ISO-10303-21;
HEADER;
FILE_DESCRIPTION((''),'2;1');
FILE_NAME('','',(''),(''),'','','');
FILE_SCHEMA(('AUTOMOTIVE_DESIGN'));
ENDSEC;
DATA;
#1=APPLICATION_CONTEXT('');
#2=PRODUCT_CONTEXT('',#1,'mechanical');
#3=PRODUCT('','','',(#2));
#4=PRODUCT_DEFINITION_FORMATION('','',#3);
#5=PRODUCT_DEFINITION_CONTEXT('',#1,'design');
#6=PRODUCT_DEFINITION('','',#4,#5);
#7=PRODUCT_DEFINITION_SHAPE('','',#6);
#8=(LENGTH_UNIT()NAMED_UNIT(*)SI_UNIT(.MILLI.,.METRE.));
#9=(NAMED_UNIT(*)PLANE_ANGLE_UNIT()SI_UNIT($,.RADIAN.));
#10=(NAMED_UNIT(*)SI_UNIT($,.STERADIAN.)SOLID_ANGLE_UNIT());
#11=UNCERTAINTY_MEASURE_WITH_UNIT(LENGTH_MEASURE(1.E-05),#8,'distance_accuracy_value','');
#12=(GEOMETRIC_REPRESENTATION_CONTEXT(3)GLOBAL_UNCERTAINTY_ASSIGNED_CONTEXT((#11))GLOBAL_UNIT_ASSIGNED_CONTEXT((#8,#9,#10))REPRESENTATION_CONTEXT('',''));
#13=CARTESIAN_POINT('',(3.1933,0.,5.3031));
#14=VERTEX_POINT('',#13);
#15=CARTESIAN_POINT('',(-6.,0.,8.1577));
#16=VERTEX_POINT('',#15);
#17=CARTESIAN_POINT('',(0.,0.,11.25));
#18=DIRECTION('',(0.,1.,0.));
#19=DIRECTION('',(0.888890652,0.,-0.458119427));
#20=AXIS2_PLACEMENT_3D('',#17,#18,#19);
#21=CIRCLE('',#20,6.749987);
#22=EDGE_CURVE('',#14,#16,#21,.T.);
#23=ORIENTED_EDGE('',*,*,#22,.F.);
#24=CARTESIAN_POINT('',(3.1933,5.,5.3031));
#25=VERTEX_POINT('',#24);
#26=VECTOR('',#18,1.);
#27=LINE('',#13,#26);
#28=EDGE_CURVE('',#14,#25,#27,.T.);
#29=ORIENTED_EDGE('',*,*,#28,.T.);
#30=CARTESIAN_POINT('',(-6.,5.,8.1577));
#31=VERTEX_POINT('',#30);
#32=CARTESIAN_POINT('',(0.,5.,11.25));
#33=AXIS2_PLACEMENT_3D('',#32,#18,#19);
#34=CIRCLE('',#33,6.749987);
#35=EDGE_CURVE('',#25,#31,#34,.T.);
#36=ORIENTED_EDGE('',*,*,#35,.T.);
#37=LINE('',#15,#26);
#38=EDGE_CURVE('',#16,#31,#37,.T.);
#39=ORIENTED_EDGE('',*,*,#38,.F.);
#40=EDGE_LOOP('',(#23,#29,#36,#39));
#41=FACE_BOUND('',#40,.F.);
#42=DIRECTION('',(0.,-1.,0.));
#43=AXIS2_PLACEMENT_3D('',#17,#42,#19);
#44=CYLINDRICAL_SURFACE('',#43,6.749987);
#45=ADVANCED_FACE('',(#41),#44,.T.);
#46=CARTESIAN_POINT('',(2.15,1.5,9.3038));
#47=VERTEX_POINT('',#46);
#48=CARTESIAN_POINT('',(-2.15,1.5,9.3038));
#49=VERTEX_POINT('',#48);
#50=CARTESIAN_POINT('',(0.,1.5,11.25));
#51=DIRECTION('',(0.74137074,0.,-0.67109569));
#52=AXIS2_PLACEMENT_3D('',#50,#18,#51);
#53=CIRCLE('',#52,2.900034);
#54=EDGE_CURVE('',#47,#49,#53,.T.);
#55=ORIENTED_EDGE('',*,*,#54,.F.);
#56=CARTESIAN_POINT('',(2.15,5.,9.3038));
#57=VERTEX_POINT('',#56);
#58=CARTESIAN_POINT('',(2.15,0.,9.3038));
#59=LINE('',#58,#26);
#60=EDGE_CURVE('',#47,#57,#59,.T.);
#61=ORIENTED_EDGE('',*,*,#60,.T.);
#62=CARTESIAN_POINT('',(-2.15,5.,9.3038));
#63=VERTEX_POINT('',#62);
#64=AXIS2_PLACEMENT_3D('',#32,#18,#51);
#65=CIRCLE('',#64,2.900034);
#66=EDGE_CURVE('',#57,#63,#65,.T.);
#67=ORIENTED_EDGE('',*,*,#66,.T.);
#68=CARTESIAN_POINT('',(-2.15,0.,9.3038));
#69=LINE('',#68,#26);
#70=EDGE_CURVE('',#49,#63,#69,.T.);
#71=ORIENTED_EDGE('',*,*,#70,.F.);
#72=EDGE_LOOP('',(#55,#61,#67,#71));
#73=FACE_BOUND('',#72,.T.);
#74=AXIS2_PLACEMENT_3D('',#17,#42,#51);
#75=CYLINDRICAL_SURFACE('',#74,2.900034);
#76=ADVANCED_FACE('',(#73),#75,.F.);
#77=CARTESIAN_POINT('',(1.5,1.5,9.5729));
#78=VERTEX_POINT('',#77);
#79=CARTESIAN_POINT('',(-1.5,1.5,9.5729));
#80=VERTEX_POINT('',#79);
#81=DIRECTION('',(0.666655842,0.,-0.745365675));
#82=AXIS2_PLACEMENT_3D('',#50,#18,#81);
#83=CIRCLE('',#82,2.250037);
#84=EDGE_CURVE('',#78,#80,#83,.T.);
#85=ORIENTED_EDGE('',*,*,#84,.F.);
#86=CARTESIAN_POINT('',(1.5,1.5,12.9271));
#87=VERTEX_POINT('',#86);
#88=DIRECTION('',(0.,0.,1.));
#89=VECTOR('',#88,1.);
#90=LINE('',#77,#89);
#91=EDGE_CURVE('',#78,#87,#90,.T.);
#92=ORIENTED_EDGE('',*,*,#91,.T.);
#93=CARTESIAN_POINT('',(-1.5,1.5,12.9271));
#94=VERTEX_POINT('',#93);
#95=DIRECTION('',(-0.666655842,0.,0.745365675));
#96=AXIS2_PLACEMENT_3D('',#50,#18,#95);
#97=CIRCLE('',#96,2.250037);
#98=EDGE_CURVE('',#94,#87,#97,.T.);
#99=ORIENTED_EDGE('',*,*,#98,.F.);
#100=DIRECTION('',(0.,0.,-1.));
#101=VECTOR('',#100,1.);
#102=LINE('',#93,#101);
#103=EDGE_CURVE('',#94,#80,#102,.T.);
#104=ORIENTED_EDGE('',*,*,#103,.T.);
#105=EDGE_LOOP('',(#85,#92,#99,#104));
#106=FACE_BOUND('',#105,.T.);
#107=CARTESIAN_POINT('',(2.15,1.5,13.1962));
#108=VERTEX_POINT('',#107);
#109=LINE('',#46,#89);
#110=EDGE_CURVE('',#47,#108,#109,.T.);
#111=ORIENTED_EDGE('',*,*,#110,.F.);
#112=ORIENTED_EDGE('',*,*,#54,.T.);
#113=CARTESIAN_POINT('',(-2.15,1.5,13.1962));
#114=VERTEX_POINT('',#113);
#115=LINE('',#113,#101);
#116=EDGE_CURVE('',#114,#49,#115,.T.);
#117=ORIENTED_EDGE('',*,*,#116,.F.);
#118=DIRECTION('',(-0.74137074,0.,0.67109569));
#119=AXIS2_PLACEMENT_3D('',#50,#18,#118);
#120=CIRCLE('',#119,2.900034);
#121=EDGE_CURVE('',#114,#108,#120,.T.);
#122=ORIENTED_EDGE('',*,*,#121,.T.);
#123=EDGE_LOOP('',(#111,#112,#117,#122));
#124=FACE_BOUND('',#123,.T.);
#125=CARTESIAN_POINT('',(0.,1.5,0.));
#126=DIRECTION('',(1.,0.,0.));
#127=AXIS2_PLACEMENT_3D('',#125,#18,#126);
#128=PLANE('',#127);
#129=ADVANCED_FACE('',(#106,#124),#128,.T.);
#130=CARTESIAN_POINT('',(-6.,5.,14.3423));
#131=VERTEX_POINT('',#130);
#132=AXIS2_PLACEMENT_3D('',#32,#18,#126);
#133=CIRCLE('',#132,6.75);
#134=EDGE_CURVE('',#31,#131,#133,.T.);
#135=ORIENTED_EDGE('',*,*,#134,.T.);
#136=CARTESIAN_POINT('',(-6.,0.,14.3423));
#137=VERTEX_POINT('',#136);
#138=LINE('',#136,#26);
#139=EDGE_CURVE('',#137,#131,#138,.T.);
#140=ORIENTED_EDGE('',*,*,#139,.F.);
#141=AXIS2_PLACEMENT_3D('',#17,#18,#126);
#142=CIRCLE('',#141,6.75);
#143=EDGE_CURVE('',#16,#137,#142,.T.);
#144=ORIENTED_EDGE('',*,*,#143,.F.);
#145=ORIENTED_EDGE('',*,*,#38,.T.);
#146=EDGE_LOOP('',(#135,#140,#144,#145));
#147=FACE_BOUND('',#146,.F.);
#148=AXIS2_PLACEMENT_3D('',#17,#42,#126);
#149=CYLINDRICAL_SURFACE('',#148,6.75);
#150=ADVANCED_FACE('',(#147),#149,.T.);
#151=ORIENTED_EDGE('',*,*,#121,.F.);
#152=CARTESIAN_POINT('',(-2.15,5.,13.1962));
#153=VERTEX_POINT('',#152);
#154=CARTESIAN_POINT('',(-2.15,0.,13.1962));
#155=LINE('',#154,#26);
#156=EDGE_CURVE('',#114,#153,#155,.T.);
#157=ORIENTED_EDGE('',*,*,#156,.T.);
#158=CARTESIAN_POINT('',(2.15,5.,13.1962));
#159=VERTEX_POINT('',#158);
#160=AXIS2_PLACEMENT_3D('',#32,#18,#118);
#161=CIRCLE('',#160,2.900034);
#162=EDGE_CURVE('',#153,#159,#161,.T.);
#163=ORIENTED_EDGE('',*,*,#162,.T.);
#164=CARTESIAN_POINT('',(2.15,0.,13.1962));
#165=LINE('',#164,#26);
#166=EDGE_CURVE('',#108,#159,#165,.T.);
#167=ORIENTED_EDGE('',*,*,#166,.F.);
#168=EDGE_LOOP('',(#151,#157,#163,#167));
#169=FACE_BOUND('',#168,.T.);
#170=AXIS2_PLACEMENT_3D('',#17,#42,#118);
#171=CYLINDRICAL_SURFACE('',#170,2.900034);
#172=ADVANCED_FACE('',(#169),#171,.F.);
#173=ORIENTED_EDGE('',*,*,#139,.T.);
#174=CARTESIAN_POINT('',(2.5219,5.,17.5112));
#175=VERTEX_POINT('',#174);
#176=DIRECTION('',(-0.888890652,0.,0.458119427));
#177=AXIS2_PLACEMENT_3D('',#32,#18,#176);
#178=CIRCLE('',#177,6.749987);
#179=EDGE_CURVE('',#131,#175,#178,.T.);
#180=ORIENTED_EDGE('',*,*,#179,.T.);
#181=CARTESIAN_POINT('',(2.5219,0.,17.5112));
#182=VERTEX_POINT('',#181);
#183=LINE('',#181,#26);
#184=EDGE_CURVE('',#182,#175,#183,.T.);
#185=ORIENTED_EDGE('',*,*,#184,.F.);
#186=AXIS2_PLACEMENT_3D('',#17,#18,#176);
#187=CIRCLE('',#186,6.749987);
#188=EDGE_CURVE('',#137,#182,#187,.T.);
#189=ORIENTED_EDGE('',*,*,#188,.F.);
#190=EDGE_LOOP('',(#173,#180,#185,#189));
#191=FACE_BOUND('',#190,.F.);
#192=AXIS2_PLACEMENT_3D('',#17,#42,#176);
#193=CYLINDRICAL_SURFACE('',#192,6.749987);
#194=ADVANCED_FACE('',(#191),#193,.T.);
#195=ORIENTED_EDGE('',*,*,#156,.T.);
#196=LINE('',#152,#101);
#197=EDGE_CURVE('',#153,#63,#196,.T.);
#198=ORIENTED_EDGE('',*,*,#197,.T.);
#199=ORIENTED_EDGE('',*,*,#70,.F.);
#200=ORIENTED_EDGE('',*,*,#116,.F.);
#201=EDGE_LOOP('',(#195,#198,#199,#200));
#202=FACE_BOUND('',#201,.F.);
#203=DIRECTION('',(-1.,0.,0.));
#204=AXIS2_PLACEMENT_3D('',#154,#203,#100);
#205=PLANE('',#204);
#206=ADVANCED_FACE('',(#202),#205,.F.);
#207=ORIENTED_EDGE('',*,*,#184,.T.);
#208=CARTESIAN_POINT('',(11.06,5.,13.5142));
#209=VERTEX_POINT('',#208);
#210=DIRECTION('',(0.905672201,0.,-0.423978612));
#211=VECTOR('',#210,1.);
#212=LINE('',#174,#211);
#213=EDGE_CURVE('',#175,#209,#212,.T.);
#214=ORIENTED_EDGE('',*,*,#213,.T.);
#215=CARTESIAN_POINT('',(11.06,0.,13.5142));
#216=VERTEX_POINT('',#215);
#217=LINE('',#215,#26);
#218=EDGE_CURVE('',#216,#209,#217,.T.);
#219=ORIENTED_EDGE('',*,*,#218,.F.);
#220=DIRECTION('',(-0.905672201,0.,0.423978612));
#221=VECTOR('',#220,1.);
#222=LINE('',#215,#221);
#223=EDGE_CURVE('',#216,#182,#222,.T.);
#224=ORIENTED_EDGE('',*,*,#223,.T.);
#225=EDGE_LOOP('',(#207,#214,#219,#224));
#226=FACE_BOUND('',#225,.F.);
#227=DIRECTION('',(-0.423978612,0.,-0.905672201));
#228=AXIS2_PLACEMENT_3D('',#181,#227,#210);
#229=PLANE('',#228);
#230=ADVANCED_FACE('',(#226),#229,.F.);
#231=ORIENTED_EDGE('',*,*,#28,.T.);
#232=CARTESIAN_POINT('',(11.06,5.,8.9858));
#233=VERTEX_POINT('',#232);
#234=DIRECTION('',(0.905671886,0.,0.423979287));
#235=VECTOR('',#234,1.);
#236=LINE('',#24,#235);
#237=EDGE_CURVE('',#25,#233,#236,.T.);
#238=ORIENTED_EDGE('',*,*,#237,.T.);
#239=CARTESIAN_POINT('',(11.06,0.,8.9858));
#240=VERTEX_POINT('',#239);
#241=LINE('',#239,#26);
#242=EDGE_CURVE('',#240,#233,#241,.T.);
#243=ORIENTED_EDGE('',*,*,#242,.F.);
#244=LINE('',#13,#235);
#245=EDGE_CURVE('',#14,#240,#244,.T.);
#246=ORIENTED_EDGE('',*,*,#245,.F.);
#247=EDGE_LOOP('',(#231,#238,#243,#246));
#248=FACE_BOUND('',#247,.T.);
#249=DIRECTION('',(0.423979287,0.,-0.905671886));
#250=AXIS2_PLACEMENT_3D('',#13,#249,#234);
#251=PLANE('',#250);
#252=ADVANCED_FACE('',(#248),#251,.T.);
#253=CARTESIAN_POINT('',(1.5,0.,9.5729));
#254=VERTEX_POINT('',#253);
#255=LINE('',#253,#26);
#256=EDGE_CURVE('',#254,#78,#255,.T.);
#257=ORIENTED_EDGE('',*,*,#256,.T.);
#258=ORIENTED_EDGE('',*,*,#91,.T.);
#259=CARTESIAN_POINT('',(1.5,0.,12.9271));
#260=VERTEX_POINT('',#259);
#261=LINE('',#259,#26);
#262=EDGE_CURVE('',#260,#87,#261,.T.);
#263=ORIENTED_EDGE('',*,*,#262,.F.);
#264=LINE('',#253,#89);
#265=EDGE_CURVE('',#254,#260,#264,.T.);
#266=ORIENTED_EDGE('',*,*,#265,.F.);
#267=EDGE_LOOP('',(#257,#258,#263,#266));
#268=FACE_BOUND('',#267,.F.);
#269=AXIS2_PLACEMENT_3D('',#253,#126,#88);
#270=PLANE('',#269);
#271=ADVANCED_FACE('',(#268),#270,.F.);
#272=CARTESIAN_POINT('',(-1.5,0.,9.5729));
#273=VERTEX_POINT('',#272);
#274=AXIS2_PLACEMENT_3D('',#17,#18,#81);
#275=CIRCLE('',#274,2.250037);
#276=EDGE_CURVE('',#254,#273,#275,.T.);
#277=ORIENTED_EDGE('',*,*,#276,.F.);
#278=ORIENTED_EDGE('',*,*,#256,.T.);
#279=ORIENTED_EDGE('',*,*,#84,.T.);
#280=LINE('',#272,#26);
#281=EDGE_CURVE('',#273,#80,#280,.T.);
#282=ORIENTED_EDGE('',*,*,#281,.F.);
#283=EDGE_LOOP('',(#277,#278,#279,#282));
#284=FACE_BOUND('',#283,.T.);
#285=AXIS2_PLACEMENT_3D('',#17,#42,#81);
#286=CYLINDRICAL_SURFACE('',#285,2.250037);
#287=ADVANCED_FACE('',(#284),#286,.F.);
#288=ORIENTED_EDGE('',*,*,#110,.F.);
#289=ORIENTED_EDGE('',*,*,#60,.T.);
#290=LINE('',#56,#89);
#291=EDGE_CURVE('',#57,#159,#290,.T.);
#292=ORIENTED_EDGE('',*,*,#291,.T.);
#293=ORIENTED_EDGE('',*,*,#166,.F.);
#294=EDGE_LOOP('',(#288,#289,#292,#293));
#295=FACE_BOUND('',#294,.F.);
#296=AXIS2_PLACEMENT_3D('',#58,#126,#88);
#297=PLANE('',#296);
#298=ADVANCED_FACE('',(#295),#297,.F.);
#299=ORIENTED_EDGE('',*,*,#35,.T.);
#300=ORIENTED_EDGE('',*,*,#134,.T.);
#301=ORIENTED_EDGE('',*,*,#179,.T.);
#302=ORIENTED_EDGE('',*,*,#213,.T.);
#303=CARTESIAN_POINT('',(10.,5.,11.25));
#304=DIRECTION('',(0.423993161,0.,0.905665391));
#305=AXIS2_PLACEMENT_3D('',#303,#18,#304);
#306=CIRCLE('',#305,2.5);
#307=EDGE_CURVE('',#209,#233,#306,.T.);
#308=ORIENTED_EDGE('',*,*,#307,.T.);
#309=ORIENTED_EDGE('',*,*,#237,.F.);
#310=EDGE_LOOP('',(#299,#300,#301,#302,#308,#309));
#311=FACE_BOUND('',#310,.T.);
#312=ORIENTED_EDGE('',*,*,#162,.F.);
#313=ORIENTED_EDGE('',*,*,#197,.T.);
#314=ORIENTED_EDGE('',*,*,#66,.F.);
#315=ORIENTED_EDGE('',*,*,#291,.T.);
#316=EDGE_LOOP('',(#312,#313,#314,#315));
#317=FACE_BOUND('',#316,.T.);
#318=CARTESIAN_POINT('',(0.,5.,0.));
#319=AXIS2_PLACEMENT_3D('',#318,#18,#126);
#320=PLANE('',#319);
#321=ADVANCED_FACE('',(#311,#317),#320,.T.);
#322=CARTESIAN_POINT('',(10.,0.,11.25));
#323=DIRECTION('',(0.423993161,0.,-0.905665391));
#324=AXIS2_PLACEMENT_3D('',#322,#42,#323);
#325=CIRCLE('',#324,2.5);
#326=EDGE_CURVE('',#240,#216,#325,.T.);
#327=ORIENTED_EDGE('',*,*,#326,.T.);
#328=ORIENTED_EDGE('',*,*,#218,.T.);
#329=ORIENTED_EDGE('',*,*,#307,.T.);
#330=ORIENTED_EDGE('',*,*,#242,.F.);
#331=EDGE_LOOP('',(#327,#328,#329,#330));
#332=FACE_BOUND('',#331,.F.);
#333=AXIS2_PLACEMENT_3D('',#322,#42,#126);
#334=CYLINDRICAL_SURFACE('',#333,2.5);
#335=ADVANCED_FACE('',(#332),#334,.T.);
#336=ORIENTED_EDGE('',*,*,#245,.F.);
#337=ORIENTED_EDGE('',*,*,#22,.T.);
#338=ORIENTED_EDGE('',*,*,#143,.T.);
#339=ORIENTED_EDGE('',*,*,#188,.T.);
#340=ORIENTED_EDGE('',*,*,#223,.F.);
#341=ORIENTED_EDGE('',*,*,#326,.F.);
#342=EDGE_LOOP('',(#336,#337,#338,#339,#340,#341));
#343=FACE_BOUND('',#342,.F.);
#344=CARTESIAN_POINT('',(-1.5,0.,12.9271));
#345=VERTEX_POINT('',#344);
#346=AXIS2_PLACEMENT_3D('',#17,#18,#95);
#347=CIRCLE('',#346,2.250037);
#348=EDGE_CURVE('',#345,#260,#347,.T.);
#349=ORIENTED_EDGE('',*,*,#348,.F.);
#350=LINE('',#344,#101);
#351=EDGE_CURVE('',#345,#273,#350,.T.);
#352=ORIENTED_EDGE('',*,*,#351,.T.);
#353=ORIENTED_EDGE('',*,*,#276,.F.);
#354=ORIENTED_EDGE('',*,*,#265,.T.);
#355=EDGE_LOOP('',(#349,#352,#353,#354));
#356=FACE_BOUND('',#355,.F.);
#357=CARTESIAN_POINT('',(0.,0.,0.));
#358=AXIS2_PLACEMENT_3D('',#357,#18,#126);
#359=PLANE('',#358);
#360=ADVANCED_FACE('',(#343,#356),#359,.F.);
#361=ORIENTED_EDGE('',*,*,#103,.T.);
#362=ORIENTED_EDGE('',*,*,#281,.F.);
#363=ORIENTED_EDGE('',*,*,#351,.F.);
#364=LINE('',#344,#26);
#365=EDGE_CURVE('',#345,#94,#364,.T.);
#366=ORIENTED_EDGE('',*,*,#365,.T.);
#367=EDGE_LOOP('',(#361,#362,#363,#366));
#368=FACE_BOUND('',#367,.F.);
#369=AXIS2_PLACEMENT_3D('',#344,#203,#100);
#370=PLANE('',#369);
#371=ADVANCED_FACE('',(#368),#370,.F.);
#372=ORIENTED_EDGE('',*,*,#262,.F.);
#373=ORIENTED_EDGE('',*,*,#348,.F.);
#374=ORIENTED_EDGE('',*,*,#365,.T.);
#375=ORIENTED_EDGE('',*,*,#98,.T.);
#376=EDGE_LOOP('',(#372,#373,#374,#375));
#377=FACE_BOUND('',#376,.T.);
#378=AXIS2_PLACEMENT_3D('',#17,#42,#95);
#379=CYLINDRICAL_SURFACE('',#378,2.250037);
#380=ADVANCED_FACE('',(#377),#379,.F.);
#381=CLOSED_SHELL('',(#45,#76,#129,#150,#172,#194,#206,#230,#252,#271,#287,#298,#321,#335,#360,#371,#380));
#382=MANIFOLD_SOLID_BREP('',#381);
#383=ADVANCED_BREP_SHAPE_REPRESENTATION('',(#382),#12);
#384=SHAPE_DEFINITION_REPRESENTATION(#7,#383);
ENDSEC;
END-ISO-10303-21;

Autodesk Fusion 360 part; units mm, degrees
sketch "Sketch1" plane through (0, 0, 0) normal (0, 1, 0) x (1, 0, 0)
  arc A0 (-2, -13.1375) -> (2, -13.1375) centre (0, -11.25) ccw
  line L0 (-2, -13.1375) -> (-2, -9.3625)
  arc A1 (2, -9.3625) -> (-2, -9.3625) centre (0, -11.25) ccw
  line L1 (2, -9.3625) -> (2, -13.1375)
  line L2 (-2.15, -13.1962) -> (-2.15, -9.3038)
  arc A2 (2.15, -9.3038) -> (-2.15, -9.3038) centre (0, -11.25) ccw
  line L3 (2.15, -9.3038) -> (2.15, -13.1962)
  arc A3 (-2.15, -13.1962) -> (2.15, -13.1962) centre (0, -11.25) ccw
  arc A4 (-6, -14.3423) -> (6, -14.3423) centre (0, -11.25) ccw
  line L4 (6, -8.1577) -> (6, -14.3423)
  arc A5 (6, -8.1577) -> (-6, -8.1577) centre (0, -11.25) ccw
  line L5 (-6, -14.3423) -> (-6, -8.1577)
  circle A6 centre (10, -11.25) radius 2.5
  line L6 (2.5219, -17.5112) -> (11.06, -13.5142)
  line L7 (3.1933, -5.3031) -> (11.06, -8.9858)
  line L8 (1.5, -9.5729) -> (1.5, -12.9271)
  arc A7 (-1.5, -12.9271) -> (1.5, -12.9271) centre (0, -11.25) ccw
  line L9 (-1.5, -12.9271) -> (-1.5, -9.5729)
  arc A8 (1.5, -9.5729) -> (-1.5, -9.5729) centre (0, -11.25) ccw
  circle A9 centre (0, -11.25) radius 6.75
  dimension "d1" = 0.15
  dimension "d2" = -4
  dimension "d3" = 5
  dimension "d4" = 10
  dimension "d7" = 0.5
  dimension "d10" = 13.5
extrude "Extrude1" add sketch "Sketch1" along normal blind 5 contours A4 L4 A5 L5 L6 A9 | L5 A9 | A4 A5 A6 L6 L7 A9 | L4 A9 | A6
extrude "Extrude2" add sketch "Sketch1" along normal blind 1.5 contours A0 L0 A1 L1 | L2 A2 L3 A3
